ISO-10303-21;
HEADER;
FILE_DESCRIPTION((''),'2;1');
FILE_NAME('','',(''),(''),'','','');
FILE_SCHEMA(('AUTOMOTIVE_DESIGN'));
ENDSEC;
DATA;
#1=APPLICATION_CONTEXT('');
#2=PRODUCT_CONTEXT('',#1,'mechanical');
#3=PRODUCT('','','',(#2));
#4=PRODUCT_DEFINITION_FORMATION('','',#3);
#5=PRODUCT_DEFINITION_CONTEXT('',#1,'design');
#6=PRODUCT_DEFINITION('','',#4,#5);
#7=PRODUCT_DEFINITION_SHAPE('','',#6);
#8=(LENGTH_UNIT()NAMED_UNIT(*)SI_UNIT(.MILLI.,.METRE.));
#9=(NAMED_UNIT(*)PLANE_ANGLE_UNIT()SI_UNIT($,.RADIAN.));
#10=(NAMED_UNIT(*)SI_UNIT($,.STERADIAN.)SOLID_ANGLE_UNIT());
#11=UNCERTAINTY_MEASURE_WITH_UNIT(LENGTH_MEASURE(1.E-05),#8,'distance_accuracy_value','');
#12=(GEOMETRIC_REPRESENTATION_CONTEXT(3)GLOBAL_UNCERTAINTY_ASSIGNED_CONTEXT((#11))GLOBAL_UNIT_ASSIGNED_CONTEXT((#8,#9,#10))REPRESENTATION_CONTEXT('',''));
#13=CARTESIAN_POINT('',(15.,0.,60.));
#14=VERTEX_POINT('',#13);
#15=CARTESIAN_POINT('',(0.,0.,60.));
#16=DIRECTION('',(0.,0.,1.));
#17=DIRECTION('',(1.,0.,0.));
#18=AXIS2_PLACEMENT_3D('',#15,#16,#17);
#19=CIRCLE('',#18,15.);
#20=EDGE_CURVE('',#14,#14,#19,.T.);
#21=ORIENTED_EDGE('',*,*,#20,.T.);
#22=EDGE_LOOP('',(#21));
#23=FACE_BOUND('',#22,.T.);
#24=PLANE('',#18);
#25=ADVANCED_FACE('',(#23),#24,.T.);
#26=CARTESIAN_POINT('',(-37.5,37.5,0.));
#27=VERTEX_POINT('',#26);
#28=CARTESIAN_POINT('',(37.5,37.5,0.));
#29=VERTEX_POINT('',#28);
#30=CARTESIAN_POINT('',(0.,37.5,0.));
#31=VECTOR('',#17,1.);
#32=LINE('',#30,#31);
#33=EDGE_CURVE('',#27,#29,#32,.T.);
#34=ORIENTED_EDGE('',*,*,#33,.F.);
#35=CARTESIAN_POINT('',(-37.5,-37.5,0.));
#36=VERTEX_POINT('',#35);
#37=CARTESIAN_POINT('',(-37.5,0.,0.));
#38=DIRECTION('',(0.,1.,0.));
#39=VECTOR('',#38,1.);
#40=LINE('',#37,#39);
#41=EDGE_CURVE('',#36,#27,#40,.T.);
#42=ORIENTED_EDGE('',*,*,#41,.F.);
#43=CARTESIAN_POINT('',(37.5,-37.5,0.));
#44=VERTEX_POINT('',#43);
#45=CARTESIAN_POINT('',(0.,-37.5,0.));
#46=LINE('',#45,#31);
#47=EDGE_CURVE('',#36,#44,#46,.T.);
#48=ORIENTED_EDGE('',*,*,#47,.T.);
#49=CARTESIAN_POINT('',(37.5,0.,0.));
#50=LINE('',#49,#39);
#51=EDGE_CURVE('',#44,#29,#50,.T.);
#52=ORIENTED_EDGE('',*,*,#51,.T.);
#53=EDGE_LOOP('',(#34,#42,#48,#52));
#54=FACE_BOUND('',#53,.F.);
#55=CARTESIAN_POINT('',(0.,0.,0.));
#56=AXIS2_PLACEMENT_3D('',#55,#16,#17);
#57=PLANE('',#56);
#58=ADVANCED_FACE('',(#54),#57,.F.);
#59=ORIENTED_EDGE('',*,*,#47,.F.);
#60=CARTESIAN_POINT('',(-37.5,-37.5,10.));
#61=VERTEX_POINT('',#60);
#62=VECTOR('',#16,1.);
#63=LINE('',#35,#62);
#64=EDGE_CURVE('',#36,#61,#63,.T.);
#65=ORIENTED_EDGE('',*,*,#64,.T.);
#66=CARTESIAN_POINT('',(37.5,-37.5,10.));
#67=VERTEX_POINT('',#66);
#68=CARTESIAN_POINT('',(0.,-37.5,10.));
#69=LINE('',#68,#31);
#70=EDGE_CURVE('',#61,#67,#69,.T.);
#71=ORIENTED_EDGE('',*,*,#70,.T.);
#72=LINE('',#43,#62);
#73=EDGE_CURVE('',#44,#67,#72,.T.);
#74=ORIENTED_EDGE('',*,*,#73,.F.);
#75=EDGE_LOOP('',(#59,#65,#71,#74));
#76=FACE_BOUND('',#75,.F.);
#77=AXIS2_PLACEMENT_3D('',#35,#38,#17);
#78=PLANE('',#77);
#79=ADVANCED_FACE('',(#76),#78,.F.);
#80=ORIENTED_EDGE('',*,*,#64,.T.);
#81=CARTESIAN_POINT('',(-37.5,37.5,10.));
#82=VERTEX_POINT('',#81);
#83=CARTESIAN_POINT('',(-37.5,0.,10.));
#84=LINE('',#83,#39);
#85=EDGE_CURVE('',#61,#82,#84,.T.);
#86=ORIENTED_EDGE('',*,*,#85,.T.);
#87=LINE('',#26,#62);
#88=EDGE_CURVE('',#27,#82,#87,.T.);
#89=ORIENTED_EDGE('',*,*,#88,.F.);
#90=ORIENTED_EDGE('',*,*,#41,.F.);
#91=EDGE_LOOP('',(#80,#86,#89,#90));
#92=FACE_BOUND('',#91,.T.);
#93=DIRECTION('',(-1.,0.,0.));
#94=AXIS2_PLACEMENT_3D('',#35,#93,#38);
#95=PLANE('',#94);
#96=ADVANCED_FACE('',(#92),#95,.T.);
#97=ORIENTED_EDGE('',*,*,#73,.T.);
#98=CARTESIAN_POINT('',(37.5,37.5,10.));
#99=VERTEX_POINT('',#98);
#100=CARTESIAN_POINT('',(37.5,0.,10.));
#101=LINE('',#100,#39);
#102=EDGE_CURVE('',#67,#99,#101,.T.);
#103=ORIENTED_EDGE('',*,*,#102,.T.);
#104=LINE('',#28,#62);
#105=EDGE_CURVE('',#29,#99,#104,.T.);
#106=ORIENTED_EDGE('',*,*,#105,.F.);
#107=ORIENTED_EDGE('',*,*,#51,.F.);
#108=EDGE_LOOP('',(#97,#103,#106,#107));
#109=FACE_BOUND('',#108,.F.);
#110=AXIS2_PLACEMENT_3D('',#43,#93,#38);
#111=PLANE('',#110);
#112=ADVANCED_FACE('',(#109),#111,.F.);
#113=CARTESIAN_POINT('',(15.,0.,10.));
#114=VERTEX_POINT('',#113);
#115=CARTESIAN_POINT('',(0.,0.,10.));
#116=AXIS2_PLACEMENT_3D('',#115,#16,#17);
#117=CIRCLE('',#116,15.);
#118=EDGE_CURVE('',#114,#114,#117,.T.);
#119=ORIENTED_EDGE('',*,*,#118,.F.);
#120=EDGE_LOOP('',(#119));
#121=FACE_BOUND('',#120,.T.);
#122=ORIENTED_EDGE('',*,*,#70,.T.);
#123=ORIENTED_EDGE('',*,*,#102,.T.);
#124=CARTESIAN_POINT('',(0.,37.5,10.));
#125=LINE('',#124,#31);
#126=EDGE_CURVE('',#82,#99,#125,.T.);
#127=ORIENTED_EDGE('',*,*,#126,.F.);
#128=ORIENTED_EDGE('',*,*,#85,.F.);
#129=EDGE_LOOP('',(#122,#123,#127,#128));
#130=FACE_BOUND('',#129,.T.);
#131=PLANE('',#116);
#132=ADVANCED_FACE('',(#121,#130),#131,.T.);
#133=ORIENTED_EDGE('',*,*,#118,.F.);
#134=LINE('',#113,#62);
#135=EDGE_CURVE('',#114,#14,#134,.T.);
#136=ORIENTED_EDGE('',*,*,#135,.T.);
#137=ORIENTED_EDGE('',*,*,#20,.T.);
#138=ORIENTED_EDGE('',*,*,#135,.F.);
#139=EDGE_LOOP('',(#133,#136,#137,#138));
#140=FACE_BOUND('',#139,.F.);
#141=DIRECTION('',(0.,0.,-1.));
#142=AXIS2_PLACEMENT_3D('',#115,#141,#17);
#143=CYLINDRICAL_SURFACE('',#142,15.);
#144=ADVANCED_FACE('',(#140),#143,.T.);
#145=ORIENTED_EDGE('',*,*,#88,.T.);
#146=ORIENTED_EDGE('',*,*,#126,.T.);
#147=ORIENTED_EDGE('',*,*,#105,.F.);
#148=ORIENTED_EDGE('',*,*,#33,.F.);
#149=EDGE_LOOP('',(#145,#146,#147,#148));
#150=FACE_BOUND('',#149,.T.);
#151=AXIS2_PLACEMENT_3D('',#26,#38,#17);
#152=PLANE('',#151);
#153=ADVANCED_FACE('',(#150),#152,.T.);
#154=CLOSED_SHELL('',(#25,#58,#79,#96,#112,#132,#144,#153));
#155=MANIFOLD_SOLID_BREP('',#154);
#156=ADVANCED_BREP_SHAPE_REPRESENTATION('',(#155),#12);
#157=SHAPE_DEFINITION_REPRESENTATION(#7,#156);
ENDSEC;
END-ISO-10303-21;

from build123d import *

# Parameters (mm, degrees)
SKETCH_W     = 75
SKETCH_H     = 75
PAD_DEPTH    = 10
SKETCH001_R  = 15
PAD001_DEPTH = 50


with BuildPart() as part:
    # Sketch → Pad (new body)
    with BuildSketch(Plane.XY):
        Rectangle(SKETCH_W, SKETCH_H)
    extrude(amount=PAD_DEPTH)

    # Sketch001 (on Face6 of Pad) → Pad001 (join)
    with BuildSketch(Plane.XY.offset(10)):
        Circle(SKETCH001_R)
    extrude(amount=PAD001_DEPTH)


solid = part.part
